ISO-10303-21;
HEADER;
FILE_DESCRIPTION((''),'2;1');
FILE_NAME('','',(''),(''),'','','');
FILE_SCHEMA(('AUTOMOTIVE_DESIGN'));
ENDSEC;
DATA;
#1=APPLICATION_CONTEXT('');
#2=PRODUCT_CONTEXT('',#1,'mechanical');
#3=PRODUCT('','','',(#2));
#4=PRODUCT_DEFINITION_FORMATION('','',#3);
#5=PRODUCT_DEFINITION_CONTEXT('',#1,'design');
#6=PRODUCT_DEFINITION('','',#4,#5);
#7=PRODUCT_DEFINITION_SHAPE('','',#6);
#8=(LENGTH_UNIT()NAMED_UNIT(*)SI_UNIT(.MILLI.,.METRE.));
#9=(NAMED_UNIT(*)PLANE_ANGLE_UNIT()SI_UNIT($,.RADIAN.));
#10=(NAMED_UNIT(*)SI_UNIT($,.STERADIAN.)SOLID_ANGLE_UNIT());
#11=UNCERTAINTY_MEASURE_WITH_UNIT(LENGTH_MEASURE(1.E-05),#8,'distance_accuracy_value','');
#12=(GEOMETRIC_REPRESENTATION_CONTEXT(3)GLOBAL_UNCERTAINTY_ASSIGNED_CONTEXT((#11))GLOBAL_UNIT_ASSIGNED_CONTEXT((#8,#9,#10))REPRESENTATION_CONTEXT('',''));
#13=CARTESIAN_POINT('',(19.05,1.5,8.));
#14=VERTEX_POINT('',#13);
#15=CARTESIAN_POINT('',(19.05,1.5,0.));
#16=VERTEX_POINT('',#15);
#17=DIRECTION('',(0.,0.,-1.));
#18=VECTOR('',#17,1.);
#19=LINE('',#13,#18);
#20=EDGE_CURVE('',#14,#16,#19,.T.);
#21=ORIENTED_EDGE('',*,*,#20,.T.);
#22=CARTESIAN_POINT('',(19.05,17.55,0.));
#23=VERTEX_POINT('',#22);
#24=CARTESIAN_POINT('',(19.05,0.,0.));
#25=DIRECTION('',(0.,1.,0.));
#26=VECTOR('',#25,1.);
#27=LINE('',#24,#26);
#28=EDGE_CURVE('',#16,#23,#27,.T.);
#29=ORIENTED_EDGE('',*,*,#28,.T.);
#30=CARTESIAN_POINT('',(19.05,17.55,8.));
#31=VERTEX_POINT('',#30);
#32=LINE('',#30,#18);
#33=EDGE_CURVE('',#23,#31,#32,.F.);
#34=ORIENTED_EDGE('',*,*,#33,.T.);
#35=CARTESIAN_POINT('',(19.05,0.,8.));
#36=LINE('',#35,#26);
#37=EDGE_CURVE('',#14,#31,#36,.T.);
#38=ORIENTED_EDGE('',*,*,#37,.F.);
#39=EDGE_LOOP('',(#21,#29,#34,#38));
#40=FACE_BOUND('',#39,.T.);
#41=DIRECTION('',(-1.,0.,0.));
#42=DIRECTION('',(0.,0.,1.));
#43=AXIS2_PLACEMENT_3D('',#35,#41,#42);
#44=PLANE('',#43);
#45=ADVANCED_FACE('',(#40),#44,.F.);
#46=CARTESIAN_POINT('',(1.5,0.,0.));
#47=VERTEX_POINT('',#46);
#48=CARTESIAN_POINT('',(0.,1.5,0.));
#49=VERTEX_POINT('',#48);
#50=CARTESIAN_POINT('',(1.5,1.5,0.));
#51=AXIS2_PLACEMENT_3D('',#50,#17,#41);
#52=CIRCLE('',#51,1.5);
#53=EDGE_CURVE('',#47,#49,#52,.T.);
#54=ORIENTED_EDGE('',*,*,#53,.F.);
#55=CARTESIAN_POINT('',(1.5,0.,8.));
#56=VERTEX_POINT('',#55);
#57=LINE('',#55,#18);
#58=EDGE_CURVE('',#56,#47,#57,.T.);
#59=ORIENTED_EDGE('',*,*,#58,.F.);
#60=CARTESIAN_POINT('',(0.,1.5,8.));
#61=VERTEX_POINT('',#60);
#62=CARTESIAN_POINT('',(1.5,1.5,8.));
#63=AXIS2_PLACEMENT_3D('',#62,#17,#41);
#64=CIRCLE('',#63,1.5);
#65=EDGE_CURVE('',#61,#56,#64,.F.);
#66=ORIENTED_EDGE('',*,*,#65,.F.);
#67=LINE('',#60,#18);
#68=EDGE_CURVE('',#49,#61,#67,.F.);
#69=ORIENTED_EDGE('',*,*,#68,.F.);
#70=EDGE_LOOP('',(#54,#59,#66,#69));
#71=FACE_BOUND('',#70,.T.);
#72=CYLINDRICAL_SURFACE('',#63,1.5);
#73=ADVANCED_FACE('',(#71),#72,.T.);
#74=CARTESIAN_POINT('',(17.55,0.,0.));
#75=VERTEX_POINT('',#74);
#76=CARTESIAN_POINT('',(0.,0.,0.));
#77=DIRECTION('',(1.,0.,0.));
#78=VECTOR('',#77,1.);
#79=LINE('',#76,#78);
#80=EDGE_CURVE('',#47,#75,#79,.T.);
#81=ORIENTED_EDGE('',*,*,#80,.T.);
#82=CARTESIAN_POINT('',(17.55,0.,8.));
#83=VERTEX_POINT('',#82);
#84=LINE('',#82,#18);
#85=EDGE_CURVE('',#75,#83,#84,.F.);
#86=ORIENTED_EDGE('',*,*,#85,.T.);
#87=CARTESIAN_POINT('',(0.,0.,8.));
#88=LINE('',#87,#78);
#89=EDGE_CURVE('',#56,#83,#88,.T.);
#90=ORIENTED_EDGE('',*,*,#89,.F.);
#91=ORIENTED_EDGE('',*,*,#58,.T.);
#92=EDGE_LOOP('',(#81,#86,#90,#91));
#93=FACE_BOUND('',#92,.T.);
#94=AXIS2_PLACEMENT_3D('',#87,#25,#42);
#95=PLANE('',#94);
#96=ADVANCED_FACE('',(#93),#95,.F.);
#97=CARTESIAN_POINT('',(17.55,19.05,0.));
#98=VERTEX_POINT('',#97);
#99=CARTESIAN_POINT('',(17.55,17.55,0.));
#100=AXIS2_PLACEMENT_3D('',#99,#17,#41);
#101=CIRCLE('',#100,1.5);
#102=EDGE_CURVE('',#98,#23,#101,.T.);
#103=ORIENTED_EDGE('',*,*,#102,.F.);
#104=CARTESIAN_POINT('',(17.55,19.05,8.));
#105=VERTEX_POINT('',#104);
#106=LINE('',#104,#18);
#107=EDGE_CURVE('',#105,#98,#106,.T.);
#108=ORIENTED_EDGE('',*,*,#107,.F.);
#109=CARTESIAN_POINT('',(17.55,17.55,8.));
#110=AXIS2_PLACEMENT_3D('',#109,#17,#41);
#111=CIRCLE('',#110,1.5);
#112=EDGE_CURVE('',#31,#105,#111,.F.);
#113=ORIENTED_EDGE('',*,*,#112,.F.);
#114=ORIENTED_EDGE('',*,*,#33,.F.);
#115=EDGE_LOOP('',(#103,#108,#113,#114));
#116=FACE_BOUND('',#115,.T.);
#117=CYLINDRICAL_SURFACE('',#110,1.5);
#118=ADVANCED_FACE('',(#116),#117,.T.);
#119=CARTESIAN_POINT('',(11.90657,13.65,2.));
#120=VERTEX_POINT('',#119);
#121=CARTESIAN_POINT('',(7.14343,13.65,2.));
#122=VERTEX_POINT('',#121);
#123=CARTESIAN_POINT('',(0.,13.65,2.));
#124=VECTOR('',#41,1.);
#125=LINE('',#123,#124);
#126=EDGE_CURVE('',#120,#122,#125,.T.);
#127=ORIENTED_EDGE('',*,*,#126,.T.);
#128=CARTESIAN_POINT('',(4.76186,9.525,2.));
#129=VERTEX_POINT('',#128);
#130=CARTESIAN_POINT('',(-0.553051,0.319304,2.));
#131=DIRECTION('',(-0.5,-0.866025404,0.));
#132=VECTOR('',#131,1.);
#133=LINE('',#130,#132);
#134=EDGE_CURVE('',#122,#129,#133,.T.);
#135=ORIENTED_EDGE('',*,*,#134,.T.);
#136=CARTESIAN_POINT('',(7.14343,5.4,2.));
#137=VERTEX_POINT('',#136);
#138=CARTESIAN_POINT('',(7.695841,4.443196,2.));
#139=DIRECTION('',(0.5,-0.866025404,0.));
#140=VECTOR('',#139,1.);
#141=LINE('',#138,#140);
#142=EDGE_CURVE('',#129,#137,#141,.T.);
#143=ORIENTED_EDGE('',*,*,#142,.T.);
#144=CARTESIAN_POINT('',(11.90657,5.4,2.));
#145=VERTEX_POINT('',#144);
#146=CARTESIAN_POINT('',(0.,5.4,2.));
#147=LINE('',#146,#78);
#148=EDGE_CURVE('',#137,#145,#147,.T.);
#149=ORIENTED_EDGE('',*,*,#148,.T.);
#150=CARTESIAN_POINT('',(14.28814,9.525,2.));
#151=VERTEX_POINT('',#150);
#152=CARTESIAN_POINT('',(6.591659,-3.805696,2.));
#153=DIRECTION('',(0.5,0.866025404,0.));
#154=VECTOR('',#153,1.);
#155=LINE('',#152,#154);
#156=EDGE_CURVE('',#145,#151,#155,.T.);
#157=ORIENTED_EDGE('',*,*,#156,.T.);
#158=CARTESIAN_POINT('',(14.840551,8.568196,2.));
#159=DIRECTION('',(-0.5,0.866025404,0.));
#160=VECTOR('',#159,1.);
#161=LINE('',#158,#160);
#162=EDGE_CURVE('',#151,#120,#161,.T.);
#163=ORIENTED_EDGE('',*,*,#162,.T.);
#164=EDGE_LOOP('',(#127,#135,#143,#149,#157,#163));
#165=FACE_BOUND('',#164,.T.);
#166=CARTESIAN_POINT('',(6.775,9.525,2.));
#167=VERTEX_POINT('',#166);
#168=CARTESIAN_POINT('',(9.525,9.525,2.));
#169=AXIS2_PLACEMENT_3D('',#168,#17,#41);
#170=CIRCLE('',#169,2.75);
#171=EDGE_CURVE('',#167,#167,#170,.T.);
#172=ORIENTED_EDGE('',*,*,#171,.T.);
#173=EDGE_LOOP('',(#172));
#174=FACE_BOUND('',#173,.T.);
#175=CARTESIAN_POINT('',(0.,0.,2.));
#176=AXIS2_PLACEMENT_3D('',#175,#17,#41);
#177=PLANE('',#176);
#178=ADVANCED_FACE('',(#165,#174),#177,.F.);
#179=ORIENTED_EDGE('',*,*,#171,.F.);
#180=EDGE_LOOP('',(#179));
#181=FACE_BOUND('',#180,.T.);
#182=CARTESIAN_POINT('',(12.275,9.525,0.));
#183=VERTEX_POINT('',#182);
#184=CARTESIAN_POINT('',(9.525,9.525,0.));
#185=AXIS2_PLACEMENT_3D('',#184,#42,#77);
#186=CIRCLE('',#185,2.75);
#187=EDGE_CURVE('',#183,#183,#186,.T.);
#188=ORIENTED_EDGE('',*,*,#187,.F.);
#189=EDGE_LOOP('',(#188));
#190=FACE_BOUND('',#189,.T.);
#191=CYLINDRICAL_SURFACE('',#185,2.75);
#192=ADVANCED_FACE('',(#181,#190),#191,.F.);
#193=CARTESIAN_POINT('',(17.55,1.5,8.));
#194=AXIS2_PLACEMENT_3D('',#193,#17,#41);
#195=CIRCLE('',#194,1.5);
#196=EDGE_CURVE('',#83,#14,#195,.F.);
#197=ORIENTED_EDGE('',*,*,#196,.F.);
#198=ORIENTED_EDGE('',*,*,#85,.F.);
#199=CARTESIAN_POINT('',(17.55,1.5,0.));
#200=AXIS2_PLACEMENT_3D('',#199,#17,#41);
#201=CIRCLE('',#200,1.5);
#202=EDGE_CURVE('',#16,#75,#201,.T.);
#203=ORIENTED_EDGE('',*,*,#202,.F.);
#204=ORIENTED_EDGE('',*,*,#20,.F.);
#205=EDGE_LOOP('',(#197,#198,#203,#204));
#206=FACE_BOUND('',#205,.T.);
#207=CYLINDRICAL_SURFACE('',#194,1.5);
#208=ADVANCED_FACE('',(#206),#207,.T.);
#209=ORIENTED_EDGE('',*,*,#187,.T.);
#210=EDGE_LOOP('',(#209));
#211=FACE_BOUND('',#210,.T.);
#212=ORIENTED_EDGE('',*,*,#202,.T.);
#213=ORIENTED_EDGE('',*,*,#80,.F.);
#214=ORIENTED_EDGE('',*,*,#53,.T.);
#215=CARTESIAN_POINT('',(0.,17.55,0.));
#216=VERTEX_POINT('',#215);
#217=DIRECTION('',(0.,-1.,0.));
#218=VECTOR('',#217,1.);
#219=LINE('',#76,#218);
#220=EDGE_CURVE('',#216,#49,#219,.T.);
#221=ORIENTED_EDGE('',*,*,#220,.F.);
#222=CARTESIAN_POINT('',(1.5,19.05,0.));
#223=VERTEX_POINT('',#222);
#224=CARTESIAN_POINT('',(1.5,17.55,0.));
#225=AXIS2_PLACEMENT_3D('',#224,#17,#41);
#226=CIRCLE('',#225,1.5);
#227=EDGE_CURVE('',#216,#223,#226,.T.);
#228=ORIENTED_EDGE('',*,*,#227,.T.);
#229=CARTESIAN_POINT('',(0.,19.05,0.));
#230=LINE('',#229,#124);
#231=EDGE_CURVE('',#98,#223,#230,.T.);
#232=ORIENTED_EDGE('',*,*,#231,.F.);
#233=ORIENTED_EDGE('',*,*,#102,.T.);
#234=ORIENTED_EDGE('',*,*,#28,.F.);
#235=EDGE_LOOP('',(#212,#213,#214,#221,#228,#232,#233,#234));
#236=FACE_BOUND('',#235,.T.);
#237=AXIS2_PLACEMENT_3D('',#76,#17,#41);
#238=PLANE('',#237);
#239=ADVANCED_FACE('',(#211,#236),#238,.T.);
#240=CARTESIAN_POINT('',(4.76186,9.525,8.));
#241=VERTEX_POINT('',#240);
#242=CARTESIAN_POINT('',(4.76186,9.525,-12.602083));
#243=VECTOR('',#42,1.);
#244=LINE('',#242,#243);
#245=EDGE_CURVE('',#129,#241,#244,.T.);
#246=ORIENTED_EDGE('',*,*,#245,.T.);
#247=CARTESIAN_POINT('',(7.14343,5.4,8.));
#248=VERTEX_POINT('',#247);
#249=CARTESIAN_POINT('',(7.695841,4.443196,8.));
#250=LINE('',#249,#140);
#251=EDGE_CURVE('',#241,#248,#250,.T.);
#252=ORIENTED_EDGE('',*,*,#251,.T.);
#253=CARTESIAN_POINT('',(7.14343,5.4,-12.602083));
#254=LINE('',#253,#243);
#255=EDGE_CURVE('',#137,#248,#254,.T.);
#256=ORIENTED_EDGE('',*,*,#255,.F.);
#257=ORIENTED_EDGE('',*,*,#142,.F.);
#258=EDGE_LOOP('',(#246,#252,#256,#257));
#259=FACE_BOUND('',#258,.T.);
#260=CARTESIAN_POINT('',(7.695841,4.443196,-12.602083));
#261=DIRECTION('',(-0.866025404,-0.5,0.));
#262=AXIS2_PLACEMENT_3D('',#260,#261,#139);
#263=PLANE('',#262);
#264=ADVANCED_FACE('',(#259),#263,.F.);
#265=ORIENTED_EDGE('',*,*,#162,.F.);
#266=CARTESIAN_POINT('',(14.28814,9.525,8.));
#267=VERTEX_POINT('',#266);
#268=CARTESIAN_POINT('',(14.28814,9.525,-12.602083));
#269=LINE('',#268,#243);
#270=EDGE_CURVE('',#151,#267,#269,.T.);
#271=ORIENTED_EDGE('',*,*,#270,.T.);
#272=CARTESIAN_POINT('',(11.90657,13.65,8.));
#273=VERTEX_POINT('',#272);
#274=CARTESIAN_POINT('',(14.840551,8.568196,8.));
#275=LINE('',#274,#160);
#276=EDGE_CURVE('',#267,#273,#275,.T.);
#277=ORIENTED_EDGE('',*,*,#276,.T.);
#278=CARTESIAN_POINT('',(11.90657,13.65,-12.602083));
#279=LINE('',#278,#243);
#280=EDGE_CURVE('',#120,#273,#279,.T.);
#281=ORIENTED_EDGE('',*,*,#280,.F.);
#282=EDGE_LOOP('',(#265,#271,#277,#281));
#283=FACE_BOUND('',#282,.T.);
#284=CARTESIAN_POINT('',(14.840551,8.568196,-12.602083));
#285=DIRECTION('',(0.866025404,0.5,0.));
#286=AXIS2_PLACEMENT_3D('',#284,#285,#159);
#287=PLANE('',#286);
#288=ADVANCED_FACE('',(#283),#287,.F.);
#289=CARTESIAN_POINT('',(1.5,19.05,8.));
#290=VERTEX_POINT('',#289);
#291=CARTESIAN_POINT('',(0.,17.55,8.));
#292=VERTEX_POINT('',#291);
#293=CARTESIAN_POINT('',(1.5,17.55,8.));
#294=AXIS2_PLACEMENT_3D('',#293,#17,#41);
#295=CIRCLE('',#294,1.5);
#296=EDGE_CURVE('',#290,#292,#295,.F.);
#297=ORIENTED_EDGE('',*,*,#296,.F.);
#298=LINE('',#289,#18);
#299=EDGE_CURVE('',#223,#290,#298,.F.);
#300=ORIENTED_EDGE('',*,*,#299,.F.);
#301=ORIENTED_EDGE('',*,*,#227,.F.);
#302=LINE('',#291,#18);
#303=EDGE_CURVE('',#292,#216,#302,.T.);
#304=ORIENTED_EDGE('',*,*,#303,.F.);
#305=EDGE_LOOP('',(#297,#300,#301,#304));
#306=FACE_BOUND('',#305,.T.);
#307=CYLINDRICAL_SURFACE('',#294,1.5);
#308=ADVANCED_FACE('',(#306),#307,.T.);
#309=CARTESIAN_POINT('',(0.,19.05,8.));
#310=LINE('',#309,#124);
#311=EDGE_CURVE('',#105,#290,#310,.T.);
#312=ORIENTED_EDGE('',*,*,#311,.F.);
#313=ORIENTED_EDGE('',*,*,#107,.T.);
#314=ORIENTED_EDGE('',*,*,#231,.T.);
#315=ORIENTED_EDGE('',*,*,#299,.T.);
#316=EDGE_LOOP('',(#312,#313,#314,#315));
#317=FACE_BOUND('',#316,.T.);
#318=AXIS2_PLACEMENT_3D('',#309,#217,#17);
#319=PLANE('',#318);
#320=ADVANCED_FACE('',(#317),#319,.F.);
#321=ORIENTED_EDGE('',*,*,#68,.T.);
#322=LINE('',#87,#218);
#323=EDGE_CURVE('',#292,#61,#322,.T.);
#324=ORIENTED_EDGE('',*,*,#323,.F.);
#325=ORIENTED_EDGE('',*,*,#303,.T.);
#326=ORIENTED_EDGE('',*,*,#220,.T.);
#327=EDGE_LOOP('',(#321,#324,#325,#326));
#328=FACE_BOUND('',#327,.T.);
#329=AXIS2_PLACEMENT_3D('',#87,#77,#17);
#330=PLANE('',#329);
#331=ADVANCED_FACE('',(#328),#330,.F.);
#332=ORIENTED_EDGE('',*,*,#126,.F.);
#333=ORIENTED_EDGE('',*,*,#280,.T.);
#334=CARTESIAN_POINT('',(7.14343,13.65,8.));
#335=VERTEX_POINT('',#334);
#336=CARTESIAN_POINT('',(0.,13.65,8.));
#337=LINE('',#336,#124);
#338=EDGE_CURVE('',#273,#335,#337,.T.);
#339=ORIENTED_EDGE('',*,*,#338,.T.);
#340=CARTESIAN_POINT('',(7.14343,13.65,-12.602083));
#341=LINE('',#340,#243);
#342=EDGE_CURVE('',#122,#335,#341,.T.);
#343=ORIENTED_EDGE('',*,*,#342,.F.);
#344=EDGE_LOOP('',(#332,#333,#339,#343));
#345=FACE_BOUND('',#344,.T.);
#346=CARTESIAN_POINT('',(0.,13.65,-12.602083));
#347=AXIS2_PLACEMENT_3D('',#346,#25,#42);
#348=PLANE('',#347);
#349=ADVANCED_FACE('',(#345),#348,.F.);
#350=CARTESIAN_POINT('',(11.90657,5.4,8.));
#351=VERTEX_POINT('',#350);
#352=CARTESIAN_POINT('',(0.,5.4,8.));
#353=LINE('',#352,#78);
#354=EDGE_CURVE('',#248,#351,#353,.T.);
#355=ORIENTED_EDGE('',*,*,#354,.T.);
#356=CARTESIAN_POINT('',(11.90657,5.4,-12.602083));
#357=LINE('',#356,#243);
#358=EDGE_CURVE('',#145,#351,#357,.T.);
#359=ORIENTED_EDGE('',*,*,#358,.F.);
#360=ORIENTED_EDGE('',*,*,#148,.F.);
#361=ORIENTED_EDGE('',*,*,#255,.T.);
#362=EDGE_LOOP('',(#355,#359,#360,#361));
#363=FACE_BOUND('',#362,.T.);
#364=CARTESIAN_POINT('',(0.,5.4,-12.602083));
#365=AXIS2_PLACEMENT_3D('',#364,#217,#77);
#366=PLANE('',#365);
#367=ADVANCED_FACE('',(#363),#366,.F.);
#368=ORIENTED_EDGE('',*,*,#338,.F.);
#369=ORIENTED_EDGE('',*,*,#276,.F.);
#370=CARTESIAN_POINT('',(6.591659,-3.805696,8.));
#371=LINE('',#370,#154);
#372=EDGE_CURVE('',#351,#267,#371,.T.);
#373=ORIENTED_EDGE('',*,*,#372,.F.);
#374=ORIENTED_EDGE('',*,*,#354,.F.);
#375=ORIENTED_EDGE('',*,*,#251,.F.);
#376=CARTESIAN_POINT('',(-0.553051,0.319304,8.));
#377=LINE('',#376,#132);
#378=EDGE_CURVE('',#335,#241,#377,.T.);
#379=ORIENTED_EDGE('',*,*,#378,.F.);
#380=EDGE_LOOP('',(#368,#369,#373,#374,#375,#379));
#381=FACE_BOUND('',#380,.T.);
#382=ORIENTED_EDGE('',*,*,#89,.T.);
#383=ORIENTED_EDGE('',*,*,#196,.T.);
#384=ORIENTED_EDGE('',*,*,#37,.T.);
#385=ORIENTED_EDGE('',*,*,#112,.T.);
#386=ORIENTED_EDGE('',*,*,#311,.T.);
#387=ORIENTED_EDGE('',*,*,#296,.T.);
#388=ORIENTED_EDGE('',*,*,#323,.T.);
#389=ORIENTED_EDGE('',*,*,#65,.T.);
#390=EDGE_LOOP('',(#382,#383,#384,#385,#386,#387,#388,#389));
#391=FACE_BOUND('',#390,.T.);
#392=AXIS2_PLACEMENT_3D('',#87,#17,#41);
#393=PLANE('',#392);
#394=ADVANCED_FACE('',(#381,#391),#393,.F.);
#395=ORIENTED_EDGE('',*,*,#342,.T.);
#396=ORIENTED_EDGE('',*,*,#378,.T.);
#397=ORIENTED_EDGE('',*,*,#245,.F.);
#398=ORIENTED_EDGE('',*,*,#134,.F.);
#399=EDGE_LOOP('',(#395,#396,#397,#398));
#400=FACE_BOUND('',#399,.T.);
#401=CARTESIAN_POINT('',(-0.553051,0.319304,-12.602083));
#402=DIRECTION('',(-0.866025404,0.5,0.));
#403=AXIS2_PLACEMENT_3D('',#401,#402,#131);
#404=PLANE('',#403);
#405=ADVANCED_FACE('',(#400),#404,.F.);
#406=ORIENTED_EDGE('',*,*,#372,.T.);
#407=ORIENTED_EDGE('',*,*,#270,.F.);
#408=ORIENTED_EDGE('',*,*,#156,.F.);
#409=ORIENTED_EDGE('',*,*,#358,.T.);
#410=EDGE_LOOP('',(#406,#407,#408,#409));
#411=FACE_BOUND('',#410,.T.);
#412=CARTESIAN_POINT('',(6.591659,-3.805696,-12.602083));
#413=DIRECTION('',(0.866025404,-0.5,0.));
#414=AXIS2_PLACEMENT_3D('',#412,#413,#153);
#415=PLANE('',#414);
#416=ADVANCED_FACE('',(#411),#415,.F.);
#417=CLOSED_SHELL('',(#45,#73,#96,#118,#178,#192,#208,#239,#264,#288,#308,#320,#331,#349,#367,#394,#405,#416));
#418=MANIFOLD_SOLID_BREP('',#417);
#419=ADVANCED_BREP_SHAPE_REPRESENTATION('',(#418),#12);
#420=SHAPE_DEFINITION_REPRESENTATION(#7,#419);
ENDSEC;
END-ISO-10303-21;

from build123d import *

# Parameters (mm, degrees)
SKETCH1_W               = 19.05
SKETCH1_H               = 19.05
BOSS_EXTRUDE1_DEPTH     = 8
SKETCH2_R               = 2.75
CUT_EXTRUDE1_DEPTH      = 6
CUT_EXTRUDE2_DEPTH      = 29.103469537
CUT_EXTRUDE2_DEPTH_BACK = 29.103469537
SKETCH2_3_R             = 2.75
FILLET1_R               = 1.5


with BuildPart() as part:
    # Sketch1 → Boss-Extrude1 (new body)
    with BuildSketch(Plane.XY):
        with Locations((9.525, 9.525)):
            Rectangle(SKETCH1_W, SKETCH1_H)
    extrude(amount=BOSS_EXTRUDE1_DEPTH)

    # Sketch2 → Cut-Extrude1 (cut)
    # profile 1 of 2: a face of its own
    with BuildSketch(Plane.XY.offset(8)):
        Polygon((7.143430137, 5.399999995), (11.906569863, 5.399999995), (14.288139727, 9.525), (11.906569863, 13.650000005), (7.143430137, 13.650000005), (4.761860273, 9.525), align=None)
        with Locations((9.525, 9.525)):
            Circle(SKETCH2_R, mode=Mode.SUBTRACT)
    # profile 2 of 2: a face of its own
    with BuildSketch(Plane.XY.offset(8)):
        with Locations((9.525, 9.525)):
            Circle(SKETCH2_R)
    extrude(amount=-CUT_EXTRUDE1_DEPTH, mode=Mode.SUBTRACT)

    # Sketch2<3> → Cut-Extrude2 (cut, two sides: drawn at the far end of the back side and taken through both)
    with BuildSketch(Plane.XY.offset(8).offset(-CUT_EXTRUDE2_DEPTH_BACK)):
        with Locations((9.525, 9.525)):
            Circle(SKETCH2_3_R)
    extrude(amount=CUT_EXTRUDE2_DEPTH + CUT_EXTRUDE2_DEPTH_BACK, mode=Mode.SUBTRACT)

    # Fillet1
    fillet1_edges = [part.edges().sort_by_distance(p)[0] for p in [
        (0, 19.05, 4),
        (19.05, 19.05, 4),
        (19.05, 0, 4),
        (0, 0, 4),
    ]]
    fillet(fillet1_edges, radius=FILLET1_R)


solid = part.part
